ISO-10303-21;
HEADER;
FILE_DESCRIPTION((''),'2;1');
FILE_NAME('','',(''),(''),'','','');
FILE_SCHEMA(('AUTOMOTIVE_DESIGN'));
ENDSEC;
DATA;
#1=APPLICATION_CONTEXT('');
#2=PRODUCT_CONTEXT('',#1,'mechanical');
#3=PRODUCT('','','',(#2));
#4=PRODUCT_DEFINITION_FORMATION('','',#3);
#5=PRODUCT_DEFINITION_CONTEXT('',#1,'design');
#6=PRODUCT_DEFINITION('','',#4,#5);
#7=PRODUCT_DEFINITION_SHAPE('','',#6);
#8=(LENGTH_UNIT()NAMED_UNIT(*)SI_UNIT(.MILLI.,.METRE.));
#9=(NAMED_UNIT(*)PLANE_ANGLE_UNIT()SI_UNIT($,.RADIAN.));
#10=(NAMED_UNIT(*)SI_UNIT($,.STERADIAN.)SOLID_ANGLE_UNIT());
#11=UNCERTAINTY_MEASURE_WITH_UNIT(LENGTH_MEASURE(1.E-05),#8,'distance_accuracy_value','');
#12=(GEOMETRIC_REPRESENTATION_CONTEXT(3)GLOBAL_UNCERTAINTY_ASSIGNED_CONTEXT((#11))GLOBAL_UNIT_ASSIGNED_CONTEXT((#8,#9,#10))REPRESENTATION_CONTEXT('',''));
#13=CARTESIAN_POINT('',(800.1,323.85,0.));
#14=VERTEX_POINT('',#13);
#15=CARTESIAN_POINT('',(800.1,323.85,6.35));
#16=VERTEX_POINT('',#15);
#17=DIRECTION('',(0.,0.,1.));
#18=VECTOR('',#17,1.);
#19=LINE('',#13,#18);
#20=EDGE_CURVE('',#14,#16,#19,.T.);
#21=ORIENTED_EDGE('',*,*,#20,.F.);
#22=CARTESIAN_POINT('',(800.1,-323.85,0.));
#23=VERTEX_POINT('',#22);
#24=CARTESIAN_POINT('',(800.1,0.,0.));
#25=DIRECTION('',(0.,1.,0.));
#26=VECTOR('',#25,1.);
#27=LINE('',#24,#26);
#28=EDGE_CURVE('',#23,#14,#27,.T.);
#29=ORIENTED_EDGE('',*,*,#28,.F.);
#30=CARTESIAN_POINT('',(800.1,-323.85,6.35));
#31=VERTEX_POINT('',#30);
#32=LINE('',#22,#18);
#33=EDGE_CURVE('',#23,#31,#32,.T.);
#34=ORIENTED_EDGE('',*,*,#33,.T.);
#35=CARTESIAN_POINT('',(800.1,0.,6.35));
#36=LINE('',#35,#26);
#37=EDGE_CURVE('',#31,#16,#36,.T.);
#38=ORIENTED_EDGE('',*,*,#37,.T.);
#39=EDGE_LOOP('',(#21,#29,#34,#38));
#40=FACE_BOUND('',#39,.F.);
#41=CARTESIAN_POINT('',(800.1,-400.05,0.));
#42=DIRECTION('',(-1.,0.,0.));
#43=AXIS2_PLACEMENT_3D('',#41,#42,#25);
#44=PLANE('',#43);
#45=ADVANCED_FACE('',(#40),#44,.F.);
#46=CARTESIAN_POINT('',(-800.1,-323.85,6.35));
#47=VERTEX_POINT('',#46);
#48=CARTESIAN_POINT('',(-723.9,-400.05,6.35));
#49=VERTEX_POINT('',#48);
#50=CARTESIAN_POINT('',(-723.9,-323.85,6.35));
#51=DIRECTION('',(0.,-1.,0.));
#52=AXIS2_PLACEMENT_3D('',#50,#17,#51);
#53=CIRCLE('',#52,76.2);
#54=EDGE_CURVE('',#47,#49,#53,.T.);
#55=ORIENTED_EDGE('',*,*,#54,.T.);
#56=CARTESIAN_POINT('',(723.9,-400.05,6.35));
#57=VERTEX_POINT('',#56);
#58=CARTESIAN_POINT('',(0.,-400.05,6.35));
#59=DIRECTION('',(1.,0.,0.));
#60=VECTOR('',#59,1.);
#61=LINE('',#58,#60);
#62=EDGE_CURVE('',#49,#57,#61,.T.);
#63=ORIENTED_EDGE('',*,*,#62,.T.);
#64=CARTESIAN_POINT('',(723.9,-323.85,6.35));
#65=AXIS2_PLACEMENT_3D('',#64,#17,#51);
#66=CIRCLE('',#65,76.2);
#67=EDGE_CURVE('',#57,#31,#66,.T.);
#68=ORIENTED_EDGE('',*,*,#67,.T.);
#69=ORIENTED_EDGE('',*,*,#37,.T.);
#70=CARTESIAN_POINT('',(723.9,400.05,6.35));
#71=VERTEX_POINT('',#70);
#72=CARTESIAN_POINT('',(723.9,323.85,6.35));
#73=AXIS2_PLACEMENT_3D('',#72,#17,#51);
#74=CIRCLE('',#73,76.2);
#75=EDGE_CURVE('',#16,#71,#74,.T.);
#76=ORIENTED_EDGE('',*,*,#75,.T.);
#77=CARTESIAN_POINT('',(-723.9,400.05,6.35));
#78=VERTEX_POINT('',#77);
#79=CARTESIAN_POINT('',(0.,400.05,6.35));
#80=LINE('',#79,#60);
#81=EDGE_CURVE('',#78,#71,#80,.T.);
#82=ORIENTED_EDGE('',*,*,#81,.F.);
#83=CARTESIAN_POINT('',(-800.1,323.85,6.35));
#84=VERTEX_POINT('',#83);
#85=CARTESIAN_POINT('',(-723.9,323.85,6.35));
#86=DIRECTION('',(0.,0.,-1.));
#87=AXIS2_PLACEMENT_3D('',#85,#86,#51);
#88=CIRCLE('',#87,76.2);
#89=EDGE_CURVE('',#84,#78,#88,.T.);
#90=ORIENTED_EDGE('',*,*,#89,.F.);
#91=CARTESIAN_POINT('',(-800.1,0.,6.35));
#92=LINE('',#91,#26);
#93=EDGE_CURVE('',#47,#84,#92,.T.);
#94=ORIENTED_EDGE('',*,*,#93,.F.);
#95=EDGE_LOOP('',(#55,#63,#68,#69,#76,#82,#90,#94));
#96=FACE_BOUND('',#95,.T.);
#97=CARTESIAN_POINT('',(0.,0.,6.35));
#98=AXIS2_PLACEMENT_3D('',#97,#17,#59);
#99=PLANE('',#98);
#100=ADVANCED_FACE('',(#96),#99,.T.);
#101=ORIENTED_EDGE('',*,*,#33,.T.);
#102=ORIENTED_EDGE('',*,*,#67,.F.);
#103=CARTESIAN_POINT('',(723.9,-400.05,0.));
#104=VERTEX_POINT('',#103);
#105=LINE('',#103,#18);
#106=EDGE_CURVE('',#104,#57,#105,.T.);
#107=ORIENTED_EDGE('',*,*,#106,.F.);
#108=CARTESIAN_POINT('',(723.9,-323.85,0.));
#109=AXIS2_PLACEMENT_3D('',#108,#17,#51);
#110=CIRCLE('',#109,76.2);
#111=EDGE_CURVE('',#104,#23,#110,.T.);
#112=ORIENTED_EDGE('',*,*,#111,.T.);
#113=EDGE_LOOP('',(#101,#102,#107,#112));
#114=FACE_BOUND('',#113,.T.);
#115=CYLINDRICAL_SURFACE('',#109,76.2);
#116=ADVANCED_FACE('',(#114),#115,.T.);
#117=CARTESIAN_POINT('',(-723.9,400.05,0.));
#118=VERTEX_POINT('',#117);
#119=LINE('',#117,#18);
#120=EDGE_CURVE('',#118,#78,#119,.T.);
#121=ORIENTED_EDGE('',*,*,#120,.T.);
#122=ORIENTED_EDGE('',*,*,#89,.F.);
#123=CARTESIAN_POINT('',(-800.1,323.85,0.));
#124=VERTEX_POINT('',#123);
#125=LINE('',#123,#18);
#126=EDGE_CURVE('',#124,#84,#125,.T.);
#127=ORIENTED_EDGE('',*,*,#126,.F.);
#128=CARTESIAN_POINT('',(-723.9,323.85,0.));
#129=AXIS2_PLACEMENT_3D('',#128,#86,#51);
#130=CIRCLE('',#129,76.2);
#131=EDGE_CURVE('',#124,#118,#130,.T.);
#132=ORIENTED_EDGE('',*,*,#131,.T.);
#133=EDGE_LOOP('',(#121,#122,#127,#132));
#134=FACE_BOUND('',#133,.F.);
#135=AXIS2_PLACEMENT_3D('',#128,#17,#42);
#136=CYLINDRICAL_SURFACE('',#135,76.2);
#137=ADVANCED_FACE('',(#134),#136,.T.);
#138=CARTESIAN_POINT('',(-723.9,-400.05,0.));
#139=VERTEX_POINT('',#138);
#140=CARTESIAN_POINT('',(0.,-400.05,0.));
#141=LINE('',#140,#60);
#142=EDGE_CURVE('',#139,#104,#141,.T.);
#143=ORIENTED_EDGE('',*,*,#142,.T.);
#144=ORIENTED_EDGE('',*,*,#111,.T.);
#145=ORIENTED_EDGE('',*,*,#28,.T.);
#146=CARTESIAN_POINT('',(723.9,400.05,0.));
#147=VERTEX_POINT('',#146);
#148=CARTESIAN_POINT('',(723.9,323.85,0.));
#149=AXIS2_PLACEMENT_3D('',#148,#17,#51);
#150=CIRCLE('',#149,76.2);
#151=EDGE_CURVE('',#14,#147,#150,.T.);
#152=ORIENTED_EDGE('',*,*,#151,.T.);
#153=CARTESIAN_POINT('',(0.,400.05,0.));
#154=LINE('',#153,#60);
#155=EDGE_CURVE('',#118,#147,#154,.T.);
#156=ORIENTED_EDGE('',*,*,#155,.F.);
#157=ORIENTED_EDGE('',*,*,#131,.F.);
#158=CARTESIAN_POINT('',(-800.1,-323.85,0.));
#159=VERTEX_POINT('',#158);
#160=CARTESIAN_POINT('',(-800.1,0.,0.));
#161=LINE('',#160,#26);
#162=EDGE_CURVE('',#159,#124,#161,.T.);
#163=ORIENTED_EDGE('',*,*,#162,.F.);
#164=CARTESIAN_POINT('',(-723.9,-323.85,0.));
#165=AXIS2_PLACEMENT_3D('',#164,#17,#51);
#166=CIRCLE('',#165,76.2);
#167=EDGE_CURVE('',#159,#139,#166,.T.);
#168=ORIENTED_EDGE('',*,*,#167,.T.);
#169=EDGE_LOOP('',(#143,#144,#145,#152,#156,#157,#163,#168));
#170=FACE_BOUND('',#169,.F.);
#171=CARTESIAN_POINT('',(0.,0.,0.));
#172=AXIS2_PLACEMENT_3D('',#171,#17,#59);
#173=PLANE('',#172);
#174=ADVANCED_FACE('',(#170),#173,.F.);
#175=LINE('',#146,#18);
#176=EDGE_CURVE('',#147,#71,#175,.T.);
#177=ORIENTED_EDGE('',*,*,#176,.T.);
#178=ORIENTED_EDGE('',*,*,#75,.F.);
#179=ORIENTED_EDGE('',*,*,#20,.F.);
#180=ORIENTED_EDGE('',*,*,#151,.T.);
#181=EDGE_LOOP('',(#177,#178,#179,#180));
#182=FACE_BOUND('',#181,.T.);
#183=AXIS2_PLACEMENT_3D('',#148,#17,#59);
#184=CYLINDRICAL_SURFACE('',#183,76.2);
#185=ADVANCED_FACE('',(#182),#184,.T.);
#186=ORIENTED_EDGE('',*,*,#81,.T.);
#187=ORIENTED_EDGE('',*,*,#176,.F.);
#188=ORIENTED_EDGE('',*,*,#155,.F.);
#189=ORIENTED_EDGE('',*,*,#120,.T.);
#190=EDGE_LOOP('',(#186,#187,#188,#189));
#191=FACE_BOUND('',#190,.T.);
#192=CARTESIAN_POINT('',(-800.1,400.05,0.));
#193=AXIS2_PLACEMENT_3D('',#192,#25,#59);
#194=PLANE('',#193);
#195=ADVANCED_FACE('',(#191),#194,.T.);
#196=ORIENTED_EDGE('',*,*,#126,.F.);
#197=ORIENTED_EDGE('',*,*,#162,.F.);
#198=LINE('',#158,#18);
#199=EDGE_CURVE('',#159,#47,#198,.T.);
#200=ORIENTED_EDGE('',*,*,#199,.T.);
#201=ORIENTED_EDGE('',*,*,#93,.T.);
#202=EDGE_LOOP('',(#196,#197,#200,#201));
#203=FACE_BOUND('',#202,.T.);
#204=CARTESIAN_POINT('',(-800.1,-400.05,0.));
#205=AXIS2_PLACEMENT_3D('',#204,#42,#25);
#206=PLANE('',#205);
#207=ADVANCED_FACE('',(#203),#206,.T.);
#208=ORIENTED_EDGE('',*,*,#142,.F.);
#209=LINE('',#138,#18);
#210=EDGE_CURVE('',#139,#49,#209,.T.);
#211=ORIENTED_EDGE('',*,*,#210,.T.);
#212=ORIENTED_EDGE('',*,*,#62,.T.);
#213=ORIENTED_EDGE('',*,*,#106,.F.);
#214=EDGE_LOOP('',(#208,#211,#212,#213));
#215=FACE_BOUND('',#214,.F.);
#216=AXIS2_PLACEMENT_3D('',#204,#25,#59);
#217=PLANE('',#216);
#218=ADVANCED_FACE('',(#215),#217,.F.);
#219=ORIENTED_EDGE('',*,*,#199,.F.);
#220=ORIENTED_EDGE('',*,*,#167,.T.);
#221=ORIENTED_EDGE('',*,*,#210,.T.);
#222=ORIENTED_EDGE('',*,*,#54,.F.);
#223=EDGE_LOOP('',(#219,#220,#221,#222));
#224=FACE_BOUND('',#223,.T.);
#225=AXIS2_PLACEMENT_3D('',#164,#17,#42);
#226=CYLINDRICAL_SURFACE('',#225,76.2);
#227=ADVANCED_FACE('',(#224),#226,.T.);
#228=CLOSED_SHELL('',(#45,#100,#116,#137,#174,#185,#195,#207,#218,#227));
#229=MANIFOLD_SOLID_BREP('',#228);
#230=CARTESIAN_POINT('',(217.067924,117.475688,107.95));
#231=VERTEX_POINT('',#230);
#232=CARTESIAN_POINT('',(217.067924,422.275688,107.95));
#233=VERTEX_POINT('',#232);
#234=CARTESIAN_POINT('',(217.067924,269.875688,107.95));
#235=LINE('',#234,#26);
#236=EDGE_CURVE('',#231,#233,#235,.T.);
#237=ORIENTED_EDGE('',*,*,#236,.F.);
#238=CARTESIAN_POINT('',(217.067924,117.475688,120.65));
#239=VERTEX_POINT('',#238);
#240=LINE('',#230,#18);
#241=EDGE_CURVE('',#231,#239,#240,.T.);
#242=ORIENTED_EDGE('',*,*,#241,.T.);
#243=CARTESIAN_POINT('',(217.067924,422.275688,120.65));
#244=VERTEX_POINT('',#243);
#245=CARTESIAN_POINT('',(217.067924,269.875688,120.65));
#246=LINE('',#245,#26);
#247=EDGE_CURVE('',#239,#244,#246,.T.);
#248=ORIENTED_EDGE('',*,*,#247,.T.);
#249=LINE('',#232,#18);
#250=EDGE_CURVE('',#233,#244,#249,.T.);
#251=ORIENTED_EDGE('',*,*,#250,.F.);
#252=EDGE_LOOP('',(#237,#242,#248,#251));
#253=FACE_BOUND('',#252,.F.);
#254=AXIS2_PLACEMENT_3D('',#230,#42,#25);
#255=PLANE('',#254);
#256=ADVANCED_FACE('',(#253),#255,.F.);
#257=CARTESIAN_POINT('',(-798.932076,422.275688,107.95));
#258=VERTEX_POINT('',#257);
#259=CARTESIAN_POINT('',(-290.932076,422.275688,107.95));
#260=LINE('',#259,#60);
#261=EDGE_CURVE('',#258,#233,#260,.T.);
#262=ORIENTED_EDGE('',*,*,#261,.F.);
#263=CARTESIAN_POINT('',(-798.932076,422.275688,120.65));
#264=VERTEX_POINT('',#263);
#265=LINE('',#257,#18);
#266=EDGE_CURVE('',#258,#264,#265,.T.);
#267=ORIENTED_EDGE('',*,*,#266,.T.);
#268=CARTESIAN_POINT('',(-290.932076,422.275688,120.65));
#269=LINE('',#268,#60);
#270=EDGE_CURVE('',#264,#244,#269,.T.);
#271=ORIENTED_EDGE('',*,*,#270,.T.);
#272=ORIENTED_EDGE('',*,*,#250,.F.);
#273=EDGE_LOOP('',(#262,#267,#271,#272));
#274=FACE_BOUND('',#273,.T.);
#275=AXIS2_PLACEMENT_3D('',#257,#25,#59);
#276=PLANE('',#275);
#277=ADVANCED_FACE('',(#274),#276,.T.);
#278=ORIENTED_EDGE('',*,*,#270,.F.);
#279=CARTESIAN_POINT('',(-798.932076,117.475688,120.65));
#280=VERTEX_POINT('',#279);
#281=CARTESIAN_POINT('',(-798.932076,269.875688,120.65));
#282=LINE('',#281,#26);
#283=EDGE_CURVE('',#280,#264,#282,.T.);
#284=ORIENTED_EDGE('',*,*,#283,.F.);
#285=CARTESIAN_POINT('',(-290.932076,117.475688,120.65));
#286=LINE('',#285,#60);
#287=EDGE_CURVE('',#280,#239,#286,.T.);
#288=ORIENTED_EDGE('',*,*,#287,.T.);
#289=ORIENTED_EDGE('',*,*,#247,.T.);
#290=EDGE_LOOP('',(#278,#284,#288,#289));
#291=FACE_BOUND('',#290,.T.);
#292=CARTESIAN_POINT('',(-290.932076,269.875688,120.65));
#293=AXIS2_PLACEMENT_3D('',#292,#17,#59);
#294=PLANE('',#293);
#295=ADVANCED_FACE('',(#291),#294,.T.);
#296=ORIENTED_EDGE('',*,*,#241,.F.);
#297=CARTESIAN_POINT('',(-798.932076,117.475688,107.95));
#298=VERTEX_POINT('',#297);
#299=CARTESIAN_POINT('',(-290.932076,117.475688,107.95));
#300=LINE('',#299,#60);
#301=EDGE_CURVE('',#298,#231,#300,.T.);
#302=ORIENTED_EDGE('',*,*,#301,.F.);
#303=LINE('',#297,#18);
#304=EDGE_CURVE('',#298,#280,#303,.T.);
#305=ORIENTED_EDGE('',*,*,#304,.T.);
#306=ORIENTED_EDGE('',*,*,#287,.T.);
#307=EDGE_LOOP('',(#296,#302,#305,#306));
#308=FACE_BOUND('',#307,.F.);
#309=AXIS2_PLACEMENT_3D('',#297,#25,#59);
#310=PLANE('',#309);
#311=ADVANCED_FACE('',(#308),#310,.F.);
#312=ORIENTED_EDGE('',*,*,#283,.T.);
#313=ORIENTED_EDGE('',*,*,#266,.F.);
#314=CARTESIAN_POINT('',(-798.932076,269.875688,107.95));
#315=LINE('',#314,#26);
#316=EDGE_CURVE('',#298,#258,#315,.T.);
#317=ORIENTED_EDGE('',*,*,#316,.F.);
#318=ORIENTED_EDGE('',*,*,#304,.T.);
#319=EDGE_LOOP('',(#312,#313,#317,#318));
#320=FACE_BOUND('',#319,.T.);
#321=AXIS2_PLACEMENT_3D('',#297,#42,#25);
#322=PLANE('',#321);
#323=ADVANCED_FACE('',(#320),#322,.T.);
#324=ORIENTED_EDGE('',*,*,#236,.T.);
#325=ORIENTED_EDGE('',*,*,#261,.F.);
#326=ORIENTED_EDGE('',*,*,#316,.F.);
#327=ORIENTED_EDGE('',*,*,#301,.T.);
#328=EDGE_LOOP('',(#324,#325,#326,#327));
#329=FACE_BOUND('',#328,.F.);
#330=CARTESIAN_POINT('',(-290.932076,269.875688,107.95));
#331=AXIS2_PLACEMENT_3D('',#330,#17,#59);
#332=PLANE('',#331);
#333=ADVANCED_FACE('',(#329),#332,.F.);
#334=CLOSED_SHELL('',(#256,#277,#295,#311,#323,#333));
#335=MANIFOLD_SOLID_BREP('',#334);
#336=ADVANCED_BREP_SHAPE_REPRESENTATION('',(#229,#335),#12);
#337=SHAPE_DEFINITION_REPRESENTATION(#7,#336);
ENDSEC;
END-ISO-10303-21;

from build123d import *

# Parameters (mm, degrees)
F0_W     = 1600.2
F0_H     = 800.1
F1_DEPTH = 6.35
F2_R     = 76.2
F4_W     = 1016
F4_H     = 304.8
F5_DEPTH = 12.7


with BuildPart() as f1:
    # F0 (on Top) → F1 (new body)
    with BuildSketch(Plane.XY):
        Rectangle(F0_W, F0_H)
    extrude(amount=F1_DEPTH)

    # F2
    f2_edges = [f1.edges().sort_by_distance(p)[0] for p in [
        (-800.1, -400.05, 3.175),
        (800.1, -400.05, 3.175),
        (-800.1, 400.05, 3.175),
        (800.1, 400.05, 3.175),
    ]]
    fillet(f2_edges, radius=F2_R)


with BuildPart() as f5:
    # F4 (on offset) → F5 (new body)
    with BuildSketch(Plane.XY.offset(107.95)):
        with Locations((-290.932076, 269.875688)):
            Rectangle(F4_W, F4_H)
    extrude(amount=F5_DEPTH)


solid = Compound([f1.part, f5.part])
